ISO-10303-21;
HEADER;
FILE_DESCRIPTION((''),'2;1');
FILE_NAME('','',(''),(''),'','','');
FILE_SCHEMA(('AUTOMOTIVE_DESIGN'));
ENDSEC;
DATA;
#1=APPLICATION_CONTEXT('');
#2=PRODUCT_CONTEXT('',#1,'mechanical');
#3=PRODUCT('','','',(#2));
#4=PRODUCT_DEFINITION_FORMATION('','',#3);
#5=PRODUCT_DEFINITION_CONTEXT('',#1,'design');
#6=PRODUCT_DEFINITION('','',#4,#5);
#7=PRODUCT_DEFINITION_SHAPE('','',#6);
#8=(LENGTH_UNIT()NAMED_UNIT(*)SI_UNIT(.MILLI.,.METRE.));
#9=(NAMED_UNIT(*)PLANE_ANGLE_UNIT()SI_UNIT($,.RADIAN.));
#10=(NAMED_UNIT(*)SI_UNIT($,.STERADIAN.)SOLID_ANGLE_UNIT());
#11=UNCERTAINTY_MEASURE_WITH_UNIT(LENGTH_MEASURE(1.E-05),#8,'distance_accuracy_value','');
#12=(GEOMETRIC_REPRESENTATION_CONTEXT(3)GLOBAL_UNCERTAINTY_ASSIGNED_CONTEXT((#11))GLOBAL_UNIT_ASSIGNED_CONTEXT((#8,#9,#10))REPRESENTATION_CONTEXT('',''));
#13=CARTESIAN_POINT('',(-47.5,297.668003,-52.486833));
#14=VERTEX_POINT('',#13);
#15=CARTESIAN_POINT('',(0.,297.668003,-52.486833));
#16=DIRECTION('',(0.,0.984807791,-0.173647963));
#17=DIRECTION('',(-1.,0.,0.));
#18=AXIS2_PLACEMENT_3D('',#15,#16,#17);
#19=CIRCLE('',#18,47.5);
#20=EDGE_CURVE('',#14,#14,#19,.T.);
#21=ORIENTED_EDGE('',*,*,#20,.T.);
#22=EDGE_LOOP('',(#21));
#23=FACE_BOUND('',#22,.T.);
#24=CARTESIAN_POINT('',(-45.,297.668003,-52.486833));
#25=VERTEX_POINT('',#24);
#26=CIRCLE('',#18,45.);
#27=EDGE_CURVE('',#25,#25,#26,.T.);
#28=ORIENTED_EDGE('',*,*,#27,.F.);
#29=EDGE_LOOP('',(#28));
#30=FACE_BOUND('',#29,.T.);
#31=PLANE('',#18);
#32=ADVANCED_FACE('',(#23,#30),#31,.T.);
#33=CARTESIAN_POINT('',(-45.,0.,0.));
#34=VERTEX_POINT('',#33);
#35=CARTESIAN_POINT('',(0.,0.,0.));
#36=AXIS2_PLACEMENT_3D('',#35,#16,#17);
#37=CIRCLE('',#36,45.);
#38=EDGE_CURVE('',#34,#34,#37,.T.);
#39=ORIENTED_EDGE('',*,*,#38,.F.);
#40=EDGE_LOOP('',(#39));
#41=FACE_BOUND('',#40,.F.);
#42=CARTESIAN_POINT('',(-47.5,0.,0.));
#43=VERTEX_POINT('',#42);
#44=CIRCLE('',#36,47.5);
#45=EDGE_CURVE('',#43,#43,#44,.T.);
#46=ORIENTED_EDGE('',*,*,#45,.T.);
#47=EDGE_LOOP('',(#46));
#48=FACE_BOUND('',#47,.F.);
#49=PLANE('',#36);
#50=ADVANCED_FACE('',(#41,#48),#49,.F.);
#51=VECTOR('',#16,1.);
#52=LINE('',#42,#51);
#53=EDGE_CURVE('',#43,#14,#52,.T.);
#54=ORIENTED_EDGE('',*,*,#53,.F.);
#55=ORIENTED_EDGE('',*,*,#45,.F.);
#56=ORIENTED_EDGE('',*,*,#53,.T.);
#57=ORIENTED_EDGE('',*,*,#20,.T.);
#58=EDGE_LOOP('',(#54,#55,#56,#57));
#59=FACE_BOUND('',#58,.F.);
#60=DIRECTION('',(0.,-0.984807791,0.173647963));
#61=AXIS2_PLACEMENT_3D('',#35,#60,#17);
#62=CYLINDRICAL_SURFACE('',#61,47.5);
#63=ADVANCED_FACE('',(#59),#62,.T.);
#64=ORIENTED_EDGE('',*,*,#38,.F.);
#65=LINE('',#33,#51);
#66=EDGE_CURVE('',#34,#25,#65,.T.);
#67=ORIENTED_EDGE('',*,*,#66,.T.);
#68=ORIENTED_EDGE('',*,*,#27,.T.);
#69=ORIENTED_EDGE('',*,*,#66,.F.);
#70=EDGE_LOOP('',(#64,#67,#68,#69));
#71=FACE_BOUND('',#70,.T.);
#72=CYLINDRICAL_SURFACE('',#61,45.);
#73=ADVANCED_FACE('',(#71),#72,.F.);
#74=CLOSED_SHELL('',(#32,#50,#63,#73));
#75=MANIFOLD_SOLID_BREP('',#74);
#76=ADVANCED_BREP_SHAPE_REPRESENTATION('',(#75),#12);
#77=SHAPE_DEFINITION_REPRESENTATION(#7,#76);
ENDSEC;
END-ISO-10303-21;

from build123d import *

# Parameters (mm, degrees)
F2_R     = 47.5
F3_DEPTH = 302.26
F4_T     = -2.5


with BuildPart() as f3:
    # F2 (on face) → F3 (new body)
    with BuildSketch(Plane(origin=(0, 0, 0), x_dir=(-1, 0, 0), z_dir=(0, 0.984808, -0.173648))):
        Circle(F2_R)
    extrude(amount=F3_DEPTH)

    # F4
    f4_openings = [f3.faces().sort_by_distance(p)[0] for p in [
        (0, 0, 0),
        (0, 297.667991, -52.486898),
    ]]
    offset(amount=F4_T, openings=f4_openings)


solid = f3.part
